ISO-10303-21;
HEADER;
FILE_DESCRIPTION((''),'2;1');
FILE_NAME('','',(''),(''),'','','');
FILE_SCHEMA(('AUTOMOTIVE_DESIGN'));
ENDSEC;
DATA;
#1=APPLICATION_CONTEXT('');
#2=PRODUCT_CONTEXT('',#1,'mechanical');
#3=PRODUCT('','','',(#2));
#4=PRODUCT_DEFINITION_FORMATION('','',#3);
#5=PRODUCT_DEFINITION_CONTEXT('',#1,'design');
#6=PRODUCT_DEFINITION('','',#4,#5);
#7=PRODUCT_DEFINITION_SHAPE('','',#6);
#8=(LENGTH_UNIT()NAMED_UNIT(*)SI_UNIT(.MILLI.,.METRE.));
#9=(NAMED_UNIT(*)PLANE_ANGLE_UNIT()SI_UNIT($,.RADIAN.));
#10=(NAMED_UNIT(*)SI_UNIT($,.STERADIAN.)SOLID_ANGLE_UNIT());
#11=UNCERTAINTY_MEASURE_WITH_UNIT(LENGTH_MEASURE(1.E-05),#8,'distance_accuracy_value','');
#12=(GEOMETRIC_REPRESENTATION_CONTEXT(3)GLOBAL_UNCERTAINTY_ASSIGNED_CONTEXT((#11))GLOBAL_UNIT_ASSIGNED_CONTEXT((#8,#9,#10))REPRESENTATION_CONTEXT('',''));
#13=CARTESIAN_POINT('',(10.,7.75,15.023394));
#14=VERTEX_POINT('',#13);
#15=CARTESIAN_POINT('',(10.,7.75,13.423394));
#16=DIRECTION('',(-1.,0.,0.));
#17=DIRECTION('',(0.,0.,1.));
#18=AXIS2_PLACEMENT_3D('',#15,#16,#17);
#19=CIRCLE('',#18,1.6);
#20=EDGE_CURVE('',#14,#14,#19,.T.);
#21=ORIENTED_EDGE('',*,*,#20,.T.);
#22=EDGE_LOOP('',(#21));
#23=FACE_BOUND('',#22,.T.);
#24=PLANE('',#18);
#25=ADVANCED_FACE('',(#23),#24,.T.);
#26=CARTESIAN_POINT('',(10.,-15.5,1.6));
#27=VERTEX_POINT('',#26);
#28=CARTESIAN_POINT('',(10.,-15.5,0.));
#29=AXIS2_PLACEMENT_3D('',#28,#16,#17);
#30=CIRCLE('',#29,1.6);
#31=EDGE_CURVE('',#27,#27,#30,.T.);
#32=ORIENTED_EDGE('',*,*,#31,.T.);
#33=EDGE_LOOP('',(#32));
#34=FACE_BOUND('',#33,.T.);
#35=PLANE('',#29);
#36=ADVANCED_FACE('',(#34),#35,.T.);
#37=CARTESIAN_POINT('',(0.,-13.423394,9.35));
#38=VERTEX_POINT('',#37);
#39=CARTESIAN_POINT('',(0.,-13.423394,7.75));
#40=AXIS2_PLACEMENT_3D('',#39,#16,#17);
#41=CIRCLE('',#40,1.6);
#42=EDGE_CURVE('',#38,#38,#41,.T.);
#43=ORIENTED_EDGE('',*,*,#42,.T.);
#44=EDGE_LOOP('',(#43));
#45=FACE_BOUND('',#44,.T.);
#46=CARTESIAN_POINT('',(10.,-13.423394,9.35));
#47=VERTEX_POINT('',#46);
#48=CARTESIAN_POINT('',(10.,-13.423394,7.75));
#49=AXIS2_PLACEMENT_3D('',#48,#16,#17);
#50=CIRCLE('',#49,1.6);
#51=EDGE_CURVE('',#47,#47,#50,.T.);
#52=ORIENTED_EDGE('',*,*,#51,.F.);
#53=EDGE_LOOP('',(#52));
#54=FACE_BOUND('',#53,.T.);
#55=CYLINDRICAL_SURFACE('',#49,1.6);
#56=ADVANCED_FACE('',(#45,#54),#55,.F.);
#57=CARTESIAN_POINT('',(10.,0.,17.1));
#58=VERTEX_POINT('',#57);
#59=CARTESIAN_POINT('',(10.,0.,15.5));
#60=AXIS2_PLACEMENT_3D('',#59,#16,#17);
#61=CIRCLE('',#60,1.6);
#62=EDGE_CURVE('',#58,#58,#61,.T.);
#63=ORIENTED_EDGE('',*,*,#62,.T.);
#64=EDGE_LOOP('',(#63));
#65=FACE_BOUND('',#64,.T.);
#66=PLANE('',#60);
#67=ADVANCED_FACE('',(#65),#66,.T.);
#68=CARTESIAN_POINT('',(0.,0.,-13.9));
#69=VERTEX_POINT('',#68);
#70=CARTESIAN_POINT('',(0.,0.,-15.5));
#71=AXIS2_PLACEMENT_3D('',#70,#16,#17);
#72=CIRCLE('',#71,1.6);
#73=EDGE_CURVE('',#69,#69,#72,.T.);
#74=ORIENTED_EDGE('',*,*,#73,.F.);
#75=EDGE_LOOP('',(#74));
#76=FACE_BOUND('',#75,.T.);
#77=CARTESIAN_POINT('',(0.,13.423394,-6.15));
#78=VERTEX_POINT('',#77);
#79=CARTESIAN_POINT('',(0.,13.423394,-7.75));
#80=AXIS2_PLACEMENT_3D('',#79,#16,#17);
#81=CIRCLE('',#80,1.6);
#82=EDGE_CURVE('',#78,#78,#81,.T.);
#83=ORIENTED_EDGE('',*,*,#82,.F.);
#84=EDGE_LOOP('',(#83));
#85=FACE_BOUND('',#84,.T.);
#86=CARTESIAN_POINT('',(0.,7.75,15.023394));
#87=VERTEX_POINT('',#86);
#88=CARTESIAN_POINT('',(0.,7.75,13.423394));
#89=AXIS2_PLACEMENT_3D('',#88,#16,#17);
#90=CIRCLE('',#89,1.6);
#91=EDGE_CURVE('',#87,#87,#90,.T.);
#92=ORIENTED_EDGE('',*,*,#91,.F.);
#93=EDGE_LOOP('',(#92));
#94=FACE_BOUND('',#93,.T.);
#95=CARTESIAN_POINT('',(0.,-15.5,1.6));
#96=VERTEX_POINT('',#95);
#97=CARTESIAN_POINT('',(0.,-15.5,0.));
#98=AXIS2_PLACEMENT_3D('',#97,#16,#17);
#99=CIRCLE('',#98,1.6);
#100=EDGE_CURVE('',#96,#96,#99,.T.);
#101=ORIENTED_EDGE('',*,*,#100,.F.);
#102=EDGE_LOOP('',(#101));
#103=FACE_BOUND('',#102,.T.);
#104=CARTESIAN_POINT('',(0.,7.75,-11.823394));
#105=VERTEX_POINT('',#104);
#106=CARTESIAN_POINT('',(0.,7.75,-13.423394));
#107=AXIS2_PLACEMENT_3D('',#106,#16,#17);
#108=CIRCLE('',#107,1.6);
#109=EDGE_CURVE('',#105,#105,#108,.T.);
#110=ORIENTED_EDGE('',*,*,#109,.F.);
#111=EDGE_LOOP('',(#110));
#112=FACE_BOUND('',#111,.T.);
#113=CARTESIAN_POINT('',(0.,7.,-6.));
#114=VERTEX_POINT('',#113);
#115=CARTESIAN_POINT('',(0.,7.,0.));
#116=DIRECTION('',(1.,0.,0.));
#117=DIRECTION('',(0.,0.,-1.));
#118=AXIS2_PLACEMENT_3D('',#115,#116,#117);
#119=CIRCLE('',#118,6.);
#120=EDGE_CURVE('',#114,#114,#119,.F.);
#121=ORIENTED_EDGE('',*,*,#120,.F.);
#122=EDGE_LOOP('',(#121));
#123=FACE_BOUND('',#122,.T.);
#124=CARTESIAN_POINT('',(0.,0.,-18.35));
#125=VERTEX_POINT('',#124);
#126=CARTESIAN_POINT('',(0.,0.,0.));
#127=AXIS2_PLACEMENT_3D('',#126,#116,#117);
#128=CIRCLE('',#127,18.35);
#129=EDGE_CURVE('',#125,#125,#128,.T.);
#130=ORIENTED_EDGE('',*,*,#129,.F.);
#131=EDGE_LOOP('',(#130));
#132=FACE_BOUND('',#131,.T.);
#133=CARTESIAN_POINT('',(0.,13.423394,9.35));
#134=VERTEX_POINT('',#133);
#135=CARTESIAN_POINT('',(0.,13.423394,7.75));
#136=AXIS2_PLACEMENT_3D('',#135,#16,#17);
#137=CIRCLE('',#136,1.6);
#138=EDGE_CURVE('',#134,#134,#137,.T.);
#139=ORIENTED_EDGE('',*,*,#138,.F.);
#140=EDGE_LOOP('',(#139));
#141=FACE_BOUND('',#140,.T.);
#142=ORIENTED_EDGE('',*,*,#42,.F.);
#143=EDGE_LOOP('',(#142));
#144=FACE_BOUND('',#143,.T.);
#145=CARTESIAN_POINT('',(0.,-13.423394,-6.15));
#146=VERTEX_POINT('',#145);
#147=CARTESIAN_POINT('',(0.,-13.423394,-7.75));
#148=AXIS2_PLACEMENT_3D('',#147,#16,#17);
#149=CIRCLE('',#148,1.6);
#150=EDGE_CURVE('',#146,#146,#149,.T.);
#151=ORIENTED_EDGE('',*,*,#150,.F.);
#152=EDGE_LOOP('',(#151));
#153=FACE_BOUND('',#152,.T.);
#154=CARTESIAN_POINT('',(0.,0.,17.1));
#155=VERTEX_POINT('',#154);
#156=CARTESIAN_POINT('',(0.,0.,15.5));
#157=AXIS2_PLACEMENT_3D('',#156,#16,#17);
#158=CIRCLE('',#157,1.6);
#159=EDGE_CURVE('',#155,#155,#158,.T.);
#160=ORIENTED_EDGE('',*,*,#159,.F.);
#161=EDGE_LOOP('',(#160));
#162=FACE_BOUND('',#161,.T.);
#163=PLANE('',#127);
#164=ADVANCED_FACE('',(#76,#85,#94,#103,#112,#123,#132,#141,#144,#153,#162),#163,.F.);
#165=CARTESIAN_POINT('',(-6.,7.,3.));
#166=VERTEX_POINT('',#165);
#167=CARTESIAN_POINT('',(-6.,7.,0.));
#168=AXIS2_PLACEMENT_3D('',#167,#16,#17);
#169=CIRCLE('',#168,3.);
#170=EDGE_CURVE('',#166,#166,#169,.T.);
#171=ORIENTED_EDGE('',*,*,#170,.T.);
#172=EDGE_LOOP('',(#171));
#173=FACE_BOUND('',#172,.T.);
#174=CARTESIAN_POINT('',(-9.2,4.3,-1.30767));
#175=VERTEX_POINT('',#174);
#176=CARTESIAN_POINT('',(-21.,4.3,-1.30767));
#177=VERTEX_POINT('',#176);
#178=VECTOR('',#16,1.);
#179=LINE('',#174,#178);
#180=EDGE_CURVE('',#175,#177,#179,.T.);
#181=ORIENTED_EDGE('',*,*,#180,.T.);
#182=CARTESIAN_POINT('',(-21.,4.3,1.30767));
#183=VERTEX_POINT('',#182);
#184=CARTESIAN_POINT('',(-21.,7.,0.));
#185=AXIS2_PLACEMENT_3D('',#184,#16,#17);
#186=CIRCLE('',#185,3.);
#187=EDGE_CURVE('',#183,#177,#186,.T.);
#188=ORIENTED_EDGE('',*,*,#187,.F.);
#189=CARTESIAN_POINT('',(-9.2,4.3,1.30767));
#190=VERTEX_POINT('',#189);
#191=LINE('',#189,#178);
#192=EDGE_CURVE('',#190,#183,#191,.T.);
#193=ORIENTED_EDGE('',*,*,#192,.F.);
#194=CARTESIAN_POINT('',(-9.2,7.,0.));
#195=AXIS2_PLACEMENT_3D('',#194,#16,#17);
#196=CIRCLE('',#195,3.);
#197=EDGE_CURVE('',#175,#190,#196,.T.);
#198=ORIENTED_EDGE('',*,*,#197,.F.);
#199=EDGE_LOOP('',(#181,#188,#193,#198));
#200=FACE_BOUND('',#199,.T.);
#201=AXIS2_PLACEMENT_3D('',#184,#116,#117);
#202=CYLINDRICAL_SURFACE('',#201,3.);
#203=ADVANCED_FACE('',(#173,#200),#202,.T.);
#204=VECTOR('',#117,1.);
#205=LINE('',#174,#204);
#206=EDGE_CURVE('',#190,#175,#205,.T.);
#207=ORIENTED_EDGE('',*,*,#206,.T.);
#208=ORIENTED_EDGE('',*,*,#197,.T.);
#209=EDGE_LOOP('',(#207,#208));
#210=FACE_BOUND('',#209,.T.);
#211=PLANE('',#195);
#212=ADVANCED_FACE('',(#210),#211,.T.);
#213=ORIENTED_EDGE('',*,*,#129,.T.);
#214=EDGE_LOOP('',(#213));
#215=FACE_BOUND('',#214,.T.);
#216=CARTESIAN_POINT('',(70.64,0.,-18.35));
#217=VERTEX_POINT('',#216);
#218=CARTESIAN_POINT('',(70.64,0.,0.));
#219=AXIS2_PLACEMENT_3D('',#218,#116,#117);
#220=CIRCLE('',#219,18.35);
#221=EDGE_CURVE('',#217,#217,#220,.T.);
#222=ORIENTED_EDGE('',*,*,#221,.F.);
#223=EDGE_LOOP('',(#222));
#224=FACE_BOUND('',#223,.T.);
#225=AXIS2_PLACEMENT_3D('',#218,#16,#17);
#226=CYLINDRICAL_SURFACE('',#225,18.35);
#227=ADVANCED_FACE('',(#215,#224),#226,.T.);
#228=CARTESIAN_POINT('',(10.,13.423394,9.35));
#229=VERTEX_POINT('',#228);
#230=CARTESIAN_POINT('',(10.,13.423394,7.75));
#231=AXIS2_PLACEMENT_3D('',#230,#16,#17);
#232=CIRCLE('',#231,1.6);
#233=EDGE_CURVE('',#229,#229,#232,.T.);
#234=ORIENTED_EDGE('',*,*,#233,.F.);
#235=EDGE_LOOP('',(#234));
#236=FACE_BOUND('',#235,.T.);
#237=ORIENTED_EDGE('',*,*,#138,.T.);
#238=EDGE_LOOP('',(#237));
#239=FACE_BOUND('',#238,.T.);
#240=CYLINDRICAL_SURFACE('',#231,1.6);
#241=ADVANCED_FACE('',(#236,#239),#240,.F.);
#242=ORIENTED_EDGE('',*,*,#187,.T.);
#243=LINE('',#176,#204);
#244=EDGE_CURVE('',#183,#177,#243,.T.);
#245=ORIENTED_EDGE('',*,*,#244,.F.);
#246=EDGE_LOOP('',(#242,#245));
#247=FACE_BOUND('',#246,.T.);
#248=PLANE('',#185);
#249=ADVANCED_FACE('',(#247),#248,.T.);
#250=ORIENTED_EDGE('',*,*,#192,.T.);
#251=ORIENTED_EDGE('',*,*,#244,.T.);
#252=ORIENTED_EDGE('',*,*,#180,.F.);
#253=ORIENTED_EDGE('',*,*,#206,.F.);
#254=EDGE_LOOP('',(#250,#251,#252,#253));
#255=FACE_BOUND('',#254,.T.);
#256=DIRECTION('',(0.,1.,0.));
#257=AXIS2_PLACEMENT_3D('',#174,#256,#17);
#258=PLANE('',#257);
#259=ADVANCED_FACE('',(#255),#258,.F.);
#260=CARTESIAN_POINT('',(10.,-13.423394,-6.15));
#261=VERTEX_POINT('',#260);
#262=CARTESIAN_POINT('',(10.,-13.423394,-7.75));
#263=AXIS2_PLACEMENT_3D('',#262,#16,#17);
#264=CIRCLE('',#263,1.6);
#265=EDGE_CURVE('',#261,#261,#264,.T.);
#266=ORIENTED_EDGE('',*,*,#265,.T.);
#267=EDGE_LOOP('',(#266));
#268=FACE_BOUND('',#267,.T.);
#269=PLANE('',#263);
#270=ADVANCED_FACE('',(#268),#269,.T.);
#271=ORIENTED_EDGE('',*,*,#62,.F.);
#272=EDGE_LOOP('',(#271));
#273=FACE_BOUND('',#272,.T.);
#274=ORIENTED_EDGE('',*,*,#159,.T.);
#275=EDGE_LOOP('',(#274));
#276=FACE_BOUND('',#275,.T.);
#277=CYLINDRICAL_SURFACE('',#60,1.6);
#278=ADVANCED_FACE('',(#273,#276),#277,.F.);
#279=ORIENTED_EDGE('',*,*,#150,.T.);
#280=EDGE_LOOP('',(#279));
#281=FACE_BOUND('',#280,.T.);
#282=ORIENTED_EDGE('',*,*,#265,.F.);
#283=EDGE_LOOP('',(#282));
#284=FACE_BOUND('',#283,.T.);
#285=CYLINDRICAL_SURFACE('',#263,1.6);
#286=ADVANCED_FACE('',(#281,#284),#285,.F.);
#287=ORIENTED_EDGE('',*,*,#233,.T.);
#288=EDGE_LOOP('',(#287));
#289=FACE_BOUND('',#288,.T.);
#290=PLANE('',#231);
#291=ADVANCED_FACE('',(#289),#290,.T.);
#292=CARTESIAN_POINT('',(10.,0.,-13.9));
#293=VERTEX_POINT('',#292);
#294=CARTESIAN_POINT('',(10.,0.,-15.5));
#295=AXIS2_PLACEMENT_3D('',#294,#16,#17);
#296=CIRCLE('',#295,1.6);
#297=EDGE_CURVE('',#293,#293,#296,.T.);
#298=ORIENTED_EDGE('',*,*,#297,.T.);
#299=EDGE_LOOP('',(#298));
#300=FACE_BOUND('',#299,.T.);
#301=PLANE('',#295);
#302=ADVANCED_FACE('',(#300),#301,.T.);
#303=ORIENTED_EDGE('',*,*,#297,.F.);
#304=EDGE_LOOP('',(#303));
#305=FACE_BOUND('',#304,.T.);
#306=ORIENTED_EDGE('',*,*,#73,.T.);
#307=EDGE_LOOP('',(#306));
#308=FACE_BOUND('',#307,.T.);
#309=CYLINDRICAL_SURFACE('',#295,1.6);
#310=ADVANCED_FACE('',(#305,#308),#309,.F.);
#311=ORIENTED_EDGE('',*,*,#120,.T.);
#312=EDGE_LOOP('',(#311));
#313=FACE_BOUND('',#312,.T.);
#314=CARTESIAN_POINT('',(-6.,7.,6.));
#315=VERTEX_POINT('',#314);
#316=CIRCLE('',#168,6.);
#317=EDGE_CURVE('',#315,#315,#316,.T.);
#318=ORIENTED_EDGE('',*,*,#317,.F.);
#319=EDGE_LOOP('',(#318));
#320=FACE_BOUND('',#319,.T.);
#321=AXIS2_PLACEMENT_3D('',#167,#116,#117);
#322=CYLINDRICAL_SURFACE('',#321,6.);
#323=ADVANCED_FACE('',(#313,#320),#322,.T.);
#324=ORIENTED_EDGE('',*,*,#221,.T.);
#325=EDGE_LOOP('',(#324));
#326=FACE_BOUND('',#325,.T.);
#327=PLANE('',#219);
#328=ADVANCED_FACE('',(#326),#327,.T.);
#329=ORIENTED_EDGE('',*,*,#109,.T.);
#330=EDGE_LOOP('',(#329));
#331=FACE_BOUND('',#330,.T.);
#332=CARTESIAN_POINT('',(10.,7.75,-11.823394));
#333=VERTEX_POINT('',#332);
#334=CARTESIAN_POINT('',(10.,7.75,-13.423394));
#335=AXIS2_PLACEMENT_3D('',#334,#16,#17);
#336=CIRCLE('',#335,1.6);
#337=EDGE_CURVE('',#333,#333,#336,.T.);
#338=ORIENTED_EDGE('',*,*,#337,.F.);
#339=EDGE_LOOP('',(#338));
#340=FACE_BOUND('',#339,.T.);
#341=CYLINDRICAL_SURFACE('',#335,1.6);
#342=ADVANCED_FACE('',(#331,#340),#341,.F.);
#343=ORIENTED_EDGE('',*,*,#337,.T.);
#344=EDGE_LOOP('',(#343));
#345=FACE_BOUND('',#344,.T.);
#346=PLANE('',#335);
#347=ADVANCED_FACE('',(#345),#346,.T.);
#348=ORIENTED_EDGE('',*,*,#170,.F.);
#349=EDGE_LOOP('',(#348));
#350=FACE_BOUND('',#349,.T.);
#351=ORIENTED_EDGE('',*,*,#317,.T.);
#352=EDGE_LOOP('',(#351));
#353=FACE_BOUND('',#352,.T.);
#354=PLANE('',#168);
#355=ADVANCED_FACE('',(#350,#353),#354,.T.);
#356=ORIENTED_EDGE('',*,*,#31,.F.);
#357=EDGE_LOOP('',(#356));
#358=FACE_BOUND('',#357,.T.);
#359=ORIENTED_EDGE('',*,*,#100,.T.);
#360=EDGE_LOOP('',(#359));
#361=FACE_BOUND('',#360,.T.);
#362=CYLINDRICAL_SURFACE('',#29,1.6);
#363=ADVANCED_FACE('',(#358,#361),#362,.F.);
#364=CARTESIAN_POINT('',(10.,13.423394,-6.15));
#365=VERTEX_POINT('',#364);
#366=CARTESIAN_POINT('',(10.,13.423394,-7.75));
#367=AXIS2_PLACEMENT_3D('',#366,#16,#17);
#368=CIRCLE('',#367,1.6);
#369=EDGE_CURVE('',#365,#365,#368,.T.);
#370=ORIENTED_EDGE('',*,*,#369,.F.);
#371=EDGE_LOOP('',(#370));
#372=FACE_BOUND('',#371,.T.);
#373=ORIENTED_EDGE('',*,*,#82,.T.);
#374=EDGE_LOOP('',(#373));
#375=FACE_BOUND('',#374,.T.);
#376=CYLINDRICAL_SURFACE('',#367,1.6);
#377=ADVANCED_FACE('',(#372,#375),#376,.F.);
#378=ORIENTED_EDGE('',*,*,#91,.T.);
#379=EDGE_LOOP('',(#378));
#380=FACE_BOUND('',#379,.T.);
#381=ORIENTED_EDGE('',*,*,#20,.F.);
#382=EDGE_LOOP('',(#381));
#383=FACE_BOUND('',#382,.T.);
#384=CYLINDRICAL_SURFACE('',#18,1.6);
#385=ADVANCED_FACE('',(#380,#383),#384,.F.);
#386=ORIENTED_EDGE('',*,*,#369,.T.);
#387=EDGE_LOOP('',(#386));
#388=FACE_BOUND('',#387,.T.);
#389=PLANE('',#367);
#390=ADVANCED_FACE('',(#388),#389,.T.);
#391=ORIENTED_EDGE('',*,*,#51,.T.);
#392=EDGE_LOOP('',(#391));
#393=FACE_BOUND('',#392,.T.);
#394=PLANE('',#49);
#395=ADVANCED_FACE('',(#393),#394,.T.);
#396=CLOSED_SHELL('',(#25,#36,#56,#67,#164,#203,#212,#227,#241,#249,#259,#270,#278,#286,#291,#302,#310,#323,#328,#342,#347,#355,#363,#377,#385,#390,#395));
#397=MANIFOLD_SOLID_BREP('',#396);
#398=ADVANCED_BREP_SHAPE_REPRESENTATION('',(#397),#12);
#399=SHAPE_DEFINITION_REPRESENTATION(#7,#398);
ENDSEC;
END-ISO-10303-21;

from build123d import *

# Parameters (mm, degrees)
ESQUISSE1_R             = 18.35
BOSS_EXTRU_1_DEPTH      = 70.64
ESQUISSE11_R            = 1.6
ENL_V_MAT_EXTRU_1_DEPTH = 10
ESQUISSE12_R            = 3
BOSS_EXTRU_2_DEPTH      = 21
ESQUISSE13_R            = 6
BOSS_EXTRU_3_DEPTH      = 6
ENL_V_START             = -11.8
ENL_V_MAT_EXTRU_2_DEPTH = 11.8


with BuildPart() as part:
    # Esquisse1 → Boss.-Extru.1 (new body)
    with BuildSketch(Plane(origin=(0, 0, 0), x_dir=(0, 0, -1), z_dir=(1, 0, 0))):
        Circle(ESQUISSE1_R)
    extrude(amount=BOSS_EXTRU_1_DEPTH)

    # Esquisse11 → Enlèv. mat.-Extru.1 (cut)
    with BuildSketch(Plane.ZY):
        with Locations((0, -15.5)):
            Circle(ESQUISSE11_R)
        with Locations((-7.75, -13.423393759)):
            Circle(ESQUISSE11_R)
        with Locations((-15.5, 0)):
            Circle(ESQUISSE11_R)
        with Locations((-13.423393759, 7.75)):
            Circle(ESQUISSE11_R)
        with Locations((-7.75, 13.423393759)):
            Circle(ESQUISSE11_R)
        with Locations((7.75, 13.423393759)):
            Circle(ESQUISSE11_R)
        with Locations((13.423393759, 7.75)):
            Circle(ESQUISSE11_R)
        with Locations((15.5, 0)):
            Circle(ESQUISSE11_R)
        with Locations((7.75, -13.423393759)):
            Circle(ESQUISSE11_R)
    extrude(amount=-ENL_V_MAT_EXTRU_1_DEPTH, mode=Mode.SUBTRACT)

    # Esquisse12 → Boss.-Extru.2 (add)
    with BuildSketch(Plane.ZY):
        with Locations(Location((0, 7, 0), (0, 0, 180))):
            Circle(ESQUISSE12_R)
    extrude(amount=BOSS_EXTRU_2_DEPTH)

    # Esquisse13 → Boss.-Extru.3 (add)
    with BuildSketch(Plane.ZY):
        with Locations(Location((0, 7, 0), (0, 0, 180))):
            Circle(ESQUISSE13_R)
    extrude(amount=BOSS_EXTRU_3_DEPTH)

    # Esquisse14 → Enlèv. mat.-Extru.2 (cut)
    with BuildSketch(Plane.ZY.offset(21).offset(ENL_V_START)):
        with BuildLine():
            Line((-1.307669683, 4.3), (1.307669683, 4.3))
            ThreePointArc((1.307669683, 4.3), (0, 4), (-1.307669683, 4.3))
        make_face()
    extrude(amount=ENL_V_MAT_EXTRU_2_DEPTH, mode=Mode.SUBTRACT)


solid = part.part
